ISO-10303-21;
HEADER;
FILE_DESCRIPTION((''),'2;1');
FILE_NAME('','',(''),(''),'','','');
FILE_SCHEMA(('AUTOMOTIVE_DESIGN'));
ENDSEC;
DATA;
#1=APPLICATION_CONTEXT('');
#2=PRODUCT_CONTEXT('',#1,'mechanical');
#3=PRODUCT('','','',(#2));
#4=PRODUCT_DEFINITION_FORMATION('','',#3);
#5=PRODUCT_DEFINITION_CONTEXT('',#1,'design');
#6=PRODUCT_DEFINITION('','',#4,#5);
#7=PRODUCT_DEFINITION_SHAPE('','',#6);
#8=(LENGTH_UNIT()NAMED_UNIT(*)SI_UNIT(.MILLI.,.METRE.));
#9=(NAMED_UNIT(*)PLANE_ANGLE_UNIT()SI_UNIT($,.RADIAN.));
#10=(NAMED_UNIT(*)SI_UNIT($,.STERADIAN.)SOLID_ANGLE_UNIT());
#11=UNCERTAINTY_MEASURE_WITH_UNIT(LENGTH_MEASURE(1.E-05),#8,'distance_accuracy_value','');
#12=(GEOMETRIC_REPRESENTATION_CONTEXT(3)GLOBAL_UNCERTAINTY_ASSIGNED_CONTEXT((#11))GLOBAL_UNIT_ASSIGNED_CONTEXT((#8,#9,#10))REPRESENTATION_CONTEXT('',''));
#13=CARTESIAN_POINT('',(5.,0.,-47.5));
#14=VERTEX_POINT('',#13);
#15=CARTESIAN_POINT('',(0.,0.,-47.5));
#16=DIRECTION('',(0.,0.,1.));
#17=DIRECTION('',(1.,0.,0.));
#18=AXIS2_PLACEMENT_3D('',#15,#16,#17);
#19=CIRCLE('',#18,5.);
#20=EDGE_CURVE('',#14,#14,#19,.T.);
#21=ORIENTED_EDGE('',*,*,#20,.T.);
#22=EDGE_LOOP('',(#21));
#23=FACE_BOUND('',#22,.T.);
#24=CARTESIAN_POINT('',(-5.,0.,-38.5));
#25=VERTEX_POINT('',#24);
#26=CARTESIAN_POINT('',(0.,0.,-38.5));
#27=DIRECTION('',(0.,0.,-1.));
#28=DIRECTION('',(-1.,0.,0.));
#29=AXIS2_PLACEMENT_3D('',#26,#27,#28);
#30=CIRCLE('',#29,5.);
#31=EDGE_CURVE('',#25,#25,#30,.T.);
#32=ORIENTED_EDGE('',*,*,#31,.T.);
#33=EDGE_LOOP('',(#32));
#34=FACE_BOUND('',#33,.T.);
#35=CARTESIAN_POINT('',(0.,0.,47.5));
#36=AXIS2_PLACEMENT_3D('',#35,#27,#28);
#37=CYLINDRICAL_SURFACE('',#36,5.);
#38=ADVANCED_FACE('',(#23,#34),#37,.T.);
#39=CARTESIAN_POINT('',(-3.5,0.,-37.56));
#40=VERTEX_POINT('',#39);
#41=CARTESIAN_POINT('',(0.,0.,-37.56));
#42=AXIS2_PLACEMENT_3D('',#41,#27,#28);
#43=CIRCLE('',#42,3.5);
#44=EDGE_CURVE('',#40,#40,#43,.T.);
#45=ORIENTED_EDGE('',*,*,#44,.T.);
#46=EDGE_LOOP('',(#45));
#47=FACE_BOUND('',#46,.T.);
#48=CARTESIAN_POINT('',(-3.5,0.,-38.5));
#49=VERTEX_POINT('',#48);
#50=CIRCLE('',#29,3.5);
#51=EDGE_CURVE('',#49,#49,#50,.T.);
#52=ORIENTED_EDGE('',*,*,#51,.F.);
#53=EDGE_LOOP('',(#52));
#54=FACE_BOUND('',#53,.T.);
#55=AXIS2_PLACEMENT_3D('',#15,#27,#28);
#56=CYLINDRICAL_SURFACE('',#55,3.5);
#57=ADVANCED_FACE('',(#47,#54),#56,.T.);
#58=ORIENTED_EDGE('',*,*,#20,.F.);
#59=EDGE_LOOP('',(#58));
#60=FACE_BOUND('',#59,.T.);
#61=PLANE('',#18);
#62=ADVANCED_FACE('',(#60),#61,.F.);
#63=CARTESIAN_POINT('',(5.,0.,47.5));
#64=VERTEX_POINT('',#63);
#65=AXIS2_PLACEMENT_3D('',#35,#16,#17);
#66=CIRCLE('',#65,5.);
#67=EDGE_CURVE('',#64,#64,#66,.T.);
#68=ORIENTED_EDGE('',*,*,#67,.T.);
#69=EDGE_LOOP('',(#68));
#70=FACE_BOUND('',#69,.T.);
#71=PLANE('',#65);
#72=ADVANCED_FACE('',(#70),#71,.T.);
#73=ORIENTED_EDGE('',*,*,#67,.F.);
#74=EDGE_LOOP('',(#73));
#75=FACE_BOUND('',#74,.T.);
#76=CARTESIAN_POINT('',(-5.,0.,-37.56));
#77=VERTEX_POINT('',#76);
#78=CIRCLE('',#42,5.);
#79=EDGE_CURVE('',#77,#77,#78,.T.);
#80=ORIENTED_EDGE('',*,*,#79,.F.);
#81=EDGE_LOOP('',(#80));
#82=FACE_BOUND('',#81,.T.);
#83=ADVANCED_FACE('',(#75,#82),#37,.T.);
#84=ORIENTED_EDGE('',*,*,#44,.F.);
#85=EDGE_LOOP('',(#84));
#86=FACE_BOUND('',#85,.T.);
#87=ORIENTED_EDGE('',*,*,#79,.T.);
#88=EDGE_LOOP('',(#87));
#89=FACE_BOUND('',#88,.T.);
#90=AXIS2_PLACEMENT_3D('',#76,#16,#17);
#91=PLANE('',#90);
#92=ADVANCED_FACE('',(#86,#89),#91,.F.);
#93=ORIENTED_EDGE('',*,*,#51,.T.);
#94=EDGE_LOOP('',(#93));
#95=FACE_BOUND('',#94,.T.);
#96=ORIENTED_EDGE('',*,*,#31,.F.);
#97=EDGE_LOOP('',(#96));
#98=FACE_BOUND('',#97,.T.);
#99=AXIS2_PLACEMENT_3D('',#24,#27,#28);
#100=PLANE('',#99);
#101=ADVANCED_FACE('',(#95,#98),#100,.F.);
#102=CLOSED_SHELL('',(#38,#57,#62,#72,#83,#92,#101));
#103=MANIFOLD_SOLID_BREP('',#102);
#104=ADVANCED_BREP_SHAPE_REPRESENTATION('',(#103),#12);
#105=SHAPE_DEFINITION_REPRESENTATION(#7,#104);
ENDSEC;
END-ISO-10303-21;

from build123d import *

# Parameters (mm, degrees)
SKETCH1_R           = 5
BOSS_EXTRUDE1_DEPTH = 47.5
SKETCH2_W           = 1.5
SKETCH2_H           = 0.94


with BuildPart() as part:
    # Sketch1 → Boss-Extrude1 (new, symmetric)
    with BuildSketch(Plane.XY):
        Circle(SKETCH1_R)
    extrude(amount=BOSS_EXTRUDE1_DEPTH, both=True)

    # Sketch2 → Cut-Revolve1 (revolve, cut)
    with BuildSketch(Plane(origin=(0, 0, 0), x_dir=(1, 0, 0), z_dir=(0, 1, 0))):
        with Locations((-4.25, 38.03)):
            Rectangle(SKETCH2_W, SKETCH2_H)
    revolve(axis=Axis((0, 0, -47.5), (0, 0, 1)), mode=Mode.SUBTRACT)


solid = part.part
